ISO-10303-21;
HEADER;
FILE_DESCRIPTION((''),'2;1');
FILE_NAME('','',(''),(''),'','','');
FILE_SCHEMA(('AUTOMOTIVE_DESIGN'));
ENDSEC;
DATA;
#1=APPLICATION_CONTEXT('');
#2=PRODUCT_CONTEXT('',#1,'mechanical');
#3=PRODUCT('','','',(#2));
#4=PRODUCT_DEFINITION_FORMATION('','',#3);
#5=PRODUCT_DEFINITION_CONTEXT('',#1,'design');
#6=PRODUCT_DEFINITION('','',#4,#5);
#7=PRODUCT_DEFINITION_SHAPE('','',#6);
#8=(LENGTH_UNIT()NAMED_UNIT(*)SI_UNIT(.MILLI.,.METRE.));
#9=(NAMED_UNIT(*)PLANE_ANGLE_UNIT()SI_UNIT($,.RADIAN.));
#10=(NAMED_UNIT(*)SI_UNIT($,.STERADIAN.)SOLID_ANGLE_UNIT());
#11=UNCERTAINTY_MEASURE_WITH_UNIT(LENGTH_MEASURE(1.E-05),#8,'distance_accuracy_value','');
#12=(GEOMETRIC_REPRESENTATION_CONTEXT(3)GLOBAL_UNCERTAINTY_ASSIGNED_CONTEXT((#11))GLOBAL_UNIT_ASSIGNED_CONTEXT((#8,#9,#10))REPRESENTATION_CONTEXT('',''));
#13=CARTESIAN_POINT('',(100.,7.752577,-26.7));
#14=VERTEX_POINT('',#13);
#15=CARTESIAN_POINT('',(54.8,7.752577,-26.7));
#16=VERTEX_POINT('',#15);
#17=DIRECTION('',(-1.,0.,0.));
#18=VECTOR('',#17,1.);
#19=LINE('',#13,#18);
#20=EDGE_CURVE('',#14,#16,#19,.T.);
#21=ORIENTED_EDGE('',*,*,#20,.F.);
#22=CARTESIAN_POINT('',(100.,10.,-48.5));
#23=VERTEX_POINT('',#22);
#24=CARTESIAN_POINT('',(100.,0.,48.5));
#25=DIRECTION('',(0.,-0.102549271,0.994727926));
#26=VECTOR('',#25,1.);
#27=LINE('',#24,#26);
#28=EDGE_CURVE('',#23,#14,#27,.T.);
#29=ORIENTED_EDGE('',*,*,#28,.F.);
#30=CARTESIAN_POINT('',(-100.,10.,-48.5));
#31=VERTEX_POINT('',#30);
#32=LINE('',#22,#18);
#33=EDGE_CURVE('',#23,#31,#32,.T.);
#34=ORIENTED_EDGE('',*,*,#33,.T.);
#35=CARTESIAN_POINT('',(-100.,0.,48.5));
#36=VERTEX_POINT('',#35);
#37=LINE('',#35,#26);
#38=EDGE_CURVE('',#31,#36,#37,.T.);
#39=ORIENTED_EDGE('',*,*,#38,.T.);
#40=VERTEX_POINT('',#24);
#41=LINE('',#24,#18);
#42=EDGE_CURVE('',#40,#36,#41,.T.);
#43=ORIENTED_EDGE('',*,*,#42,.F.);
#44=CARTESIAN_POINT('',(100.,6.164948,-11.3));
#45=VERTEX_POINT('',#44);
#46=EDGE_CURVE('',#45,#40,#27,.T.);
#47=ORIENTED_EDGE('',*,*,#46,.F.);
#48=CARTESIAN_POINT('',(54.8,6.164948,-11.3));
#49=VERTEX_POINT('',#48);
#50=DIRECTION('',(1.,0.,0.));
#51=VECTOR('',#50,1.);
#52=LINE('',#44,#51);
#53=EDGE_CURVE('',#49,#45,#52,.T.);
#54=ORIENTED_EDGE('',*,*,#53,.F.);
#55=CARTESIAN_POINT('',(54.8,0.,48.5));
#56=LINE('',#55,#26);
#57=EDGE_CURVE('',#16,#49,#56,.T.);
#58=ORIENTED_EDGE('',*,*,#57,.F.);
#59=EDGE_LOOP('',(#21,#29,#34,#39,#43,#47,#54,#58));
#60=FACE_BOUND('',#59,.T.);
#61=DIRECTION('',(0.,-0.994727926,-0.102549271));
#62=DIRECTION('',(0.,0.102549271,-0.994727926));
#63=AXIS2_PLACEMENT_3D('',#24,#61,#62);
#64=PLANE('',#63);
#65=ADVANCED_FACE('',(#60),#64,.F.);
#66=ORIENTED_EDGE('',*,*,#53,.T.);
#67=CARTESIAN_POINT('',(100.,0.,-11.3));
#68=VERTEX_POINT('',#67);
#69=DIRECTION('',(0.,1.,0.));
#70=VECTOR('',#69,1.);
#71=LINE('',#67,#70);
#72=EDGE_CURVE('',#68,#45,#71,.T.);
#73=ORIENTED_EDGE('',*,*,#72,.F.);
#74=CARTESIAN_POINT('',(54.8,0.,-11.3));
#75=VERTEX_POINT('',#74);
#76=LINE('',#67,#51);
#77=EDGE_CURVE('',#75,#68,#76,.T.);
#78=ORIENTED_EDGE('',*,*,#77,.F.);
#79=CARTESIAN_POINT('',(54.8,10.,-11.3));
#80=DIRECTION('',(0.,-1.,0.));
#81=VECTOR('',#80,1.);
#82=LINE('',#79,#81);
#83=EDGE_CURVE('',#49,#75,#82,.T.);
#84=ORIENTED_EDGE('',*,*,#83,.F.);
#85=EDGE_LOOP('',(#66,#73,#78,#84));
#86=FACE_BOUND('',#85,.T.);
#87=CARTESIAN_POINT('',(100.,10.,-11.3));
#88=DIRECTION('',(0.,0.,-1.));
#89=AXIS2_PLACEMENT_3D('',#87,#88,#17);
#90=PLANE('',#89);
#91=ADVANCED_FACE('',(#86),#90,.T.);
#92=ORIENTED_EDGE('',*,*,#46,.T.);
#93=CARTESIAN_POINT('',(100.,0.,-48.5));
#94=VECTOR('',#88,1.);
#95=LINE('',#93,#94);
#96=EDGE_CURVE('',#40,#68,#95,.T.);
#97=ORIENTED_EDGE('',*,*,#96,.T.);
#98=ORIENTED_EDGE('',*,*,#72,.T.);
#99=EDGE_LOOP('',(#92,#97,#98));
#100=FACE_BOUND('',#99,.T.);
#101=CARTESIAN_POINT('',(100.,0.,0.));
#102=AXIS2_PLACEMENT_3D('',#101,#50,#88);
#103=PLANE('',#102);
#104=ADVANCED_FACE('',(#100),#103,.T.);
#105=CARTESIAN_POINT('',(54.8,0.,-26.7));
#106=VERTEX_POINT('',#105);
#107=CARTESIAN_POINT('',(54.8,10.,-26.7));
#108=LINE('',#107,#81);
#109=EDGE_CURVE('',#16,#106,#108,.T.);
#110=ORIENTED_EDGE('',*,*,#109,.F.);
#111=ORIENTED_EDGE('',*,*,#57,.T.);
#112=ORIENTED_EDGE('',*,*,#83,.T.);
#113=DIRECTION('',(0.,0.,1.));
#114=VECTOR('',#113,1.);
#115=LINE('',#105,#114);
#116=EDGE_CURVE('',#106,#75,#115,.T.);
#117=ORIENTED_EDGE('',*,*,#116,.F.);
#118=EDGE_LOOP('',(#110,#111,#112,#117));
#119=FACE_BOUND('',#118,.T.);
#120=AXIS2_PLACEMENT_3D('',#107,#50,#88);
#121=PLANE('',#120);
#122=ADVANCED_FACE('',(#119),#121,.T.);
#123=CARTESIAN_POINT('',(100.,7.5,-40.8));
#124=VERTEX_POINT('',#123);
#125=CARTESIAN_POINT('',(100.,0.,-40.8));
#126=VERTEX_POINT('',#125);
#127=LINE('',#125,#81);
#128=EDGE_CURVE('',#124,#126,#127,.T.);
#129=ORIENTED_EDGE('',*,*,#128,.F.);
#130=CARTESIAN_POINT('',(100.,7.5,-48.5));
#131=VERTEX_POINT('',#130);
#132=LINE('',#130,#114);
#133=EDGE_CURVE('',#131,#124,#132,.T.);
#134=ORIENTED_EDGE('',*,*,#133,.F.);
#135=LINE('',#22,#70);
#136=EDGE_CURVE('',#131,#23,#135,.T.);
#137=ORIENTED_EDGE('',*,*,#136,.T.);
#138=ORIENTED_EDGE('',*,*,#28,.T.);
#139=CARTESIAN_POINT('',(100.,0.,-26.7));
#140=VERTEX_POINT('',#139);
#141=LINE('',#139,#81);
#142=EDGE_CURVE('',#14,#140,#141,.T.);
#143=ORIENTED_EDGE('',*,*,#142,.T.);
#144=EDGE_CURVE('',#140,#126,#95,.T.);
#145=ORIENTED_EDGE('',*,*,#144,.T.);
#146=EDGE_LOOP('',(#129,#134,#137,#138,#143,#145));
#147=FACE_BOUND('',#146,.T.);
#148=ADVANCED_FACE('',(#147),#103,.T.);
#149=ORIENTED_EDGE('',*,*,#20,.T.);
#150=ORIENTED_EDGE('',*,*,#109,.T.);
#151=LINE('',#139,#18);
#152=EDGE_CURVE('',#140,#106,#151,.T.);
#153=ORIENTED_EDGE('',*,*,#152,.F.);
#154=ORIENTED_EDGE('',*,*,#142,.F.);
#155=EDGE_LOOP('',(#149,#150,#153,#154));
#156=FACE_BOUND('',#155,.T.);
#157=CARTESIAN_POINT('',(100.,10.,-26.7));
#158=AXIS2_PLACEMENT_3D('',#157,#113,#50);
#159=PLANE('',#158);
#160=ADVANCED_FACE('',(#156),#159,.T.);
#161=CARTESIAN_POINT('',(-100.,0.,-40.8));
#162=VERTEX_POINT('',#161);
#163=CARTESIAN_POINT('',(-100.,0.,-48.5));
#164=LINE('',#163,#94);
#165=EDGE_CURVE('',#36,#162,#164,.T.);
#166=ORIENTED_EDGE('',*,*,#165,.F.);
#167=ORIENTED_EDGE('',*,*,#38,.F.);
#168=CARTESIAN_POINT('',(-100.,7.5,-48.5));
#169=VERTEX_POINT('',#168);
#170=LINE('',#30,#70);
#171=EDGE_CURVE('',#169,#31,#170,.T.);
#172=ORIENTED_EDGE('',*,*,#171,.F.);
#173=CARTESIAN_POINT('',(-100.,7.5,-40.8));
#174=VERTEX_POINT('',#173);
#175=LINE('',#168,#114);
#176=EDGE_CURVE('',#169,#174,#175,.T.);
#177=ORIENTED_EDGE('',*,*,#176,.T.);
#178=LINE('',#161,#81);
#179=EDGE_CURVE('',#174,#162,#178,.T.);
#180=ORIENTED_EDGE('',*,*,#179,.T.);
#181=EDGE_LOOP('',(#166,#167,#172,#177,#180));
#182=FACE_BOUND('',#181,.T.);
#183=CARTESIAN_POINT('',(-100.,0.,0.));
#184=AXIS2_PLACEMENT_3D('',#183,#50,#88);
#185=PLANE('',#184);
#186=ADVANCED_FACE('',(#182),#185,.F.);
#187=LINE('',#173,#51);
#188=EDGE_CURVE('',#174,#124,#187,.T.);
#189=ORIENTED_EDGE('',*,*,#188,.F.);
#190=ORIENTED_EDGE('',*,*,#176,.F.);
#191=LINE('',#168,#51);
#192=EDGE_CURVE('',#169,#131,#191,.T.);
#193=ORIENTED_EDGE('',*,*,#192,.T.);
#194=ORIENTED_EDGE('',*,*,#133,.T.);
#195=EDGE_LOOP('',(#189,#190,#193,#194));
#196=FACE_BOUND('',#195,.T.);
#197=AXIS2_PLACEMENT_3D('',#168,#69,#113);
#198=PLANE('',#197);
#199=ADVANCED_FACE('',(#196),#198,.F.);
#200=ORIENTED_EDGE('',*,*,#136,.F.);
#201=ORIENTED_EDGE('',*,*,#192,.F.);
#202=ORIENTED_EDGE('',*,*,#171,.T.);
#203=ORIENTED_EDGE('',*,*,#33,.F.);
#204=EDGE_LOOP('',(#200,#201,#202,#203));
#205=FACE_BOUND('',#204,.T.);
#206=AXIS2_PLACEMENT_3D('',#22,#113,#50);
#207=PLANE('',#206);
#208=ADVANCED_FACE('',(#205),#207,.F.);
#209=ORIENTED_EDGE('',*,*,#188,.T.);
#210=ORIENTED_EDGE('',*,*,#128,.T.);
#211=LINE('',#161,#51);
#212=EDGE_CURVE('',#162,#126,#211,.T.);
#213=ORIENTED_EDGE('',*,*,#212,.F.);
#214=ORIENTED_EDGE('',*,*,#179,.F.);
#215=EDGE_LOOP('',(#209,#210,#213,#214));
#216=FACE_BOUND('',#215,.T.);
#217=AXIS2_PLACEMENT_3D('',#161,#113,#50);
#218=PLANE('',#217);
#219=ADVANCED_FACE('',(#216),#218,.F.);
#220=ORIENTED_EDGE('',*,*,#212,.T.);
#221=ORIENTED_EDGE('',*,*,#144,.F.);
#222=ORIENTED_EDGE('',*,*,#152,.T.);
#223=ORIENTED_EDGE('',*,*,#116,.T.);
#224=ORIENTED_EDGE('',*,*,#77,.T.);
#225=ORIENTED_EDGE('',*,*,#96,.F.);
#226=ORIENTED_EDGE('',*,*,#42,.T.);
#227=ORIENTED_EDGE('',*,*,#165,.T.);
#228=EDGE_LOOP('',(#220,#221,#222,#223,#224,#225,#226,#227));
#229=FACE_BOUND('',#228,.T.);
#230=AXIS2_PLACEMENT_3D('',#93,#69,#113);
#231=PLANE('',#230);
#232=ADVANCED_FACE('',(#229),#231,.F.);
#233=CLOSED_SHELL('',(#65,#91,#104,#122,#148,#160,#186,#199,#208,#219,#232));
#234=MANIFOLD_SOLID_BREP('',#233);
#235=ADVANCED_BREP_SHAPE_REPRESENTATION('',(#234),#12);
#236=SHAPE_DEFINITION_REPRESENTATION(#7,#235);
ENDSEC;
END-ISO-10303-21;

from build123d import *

# Parameters (mm, degrees)
BOSS_EXTRUDE1_DEPTH = 100
SKETCH3_W           = 7.7
SKETCH3_H           = 7.5
CUT_EXTRUDE1_DEPTH  = 207.039437972
SKETCH6_W           = 45.2
SKETCH6_H           = 15.4
CUT_EXTRUDE2_DEPTH  = 112.589650058


with BuildPart() as part:
    # Sketch1 → Boss-Extrude1 (new, symmetric)
    with BuildSketch(Plane(origin=(0, 0, 0), x_dir=(0, 0, -1), z_dir=(1, 0, 0))):
        Polygon((-48.5, 0), (48.5, 10), (48.5, 0), align=None)
    extrude(amount=BOSS_EXTRUDE1_DEPTH, both=True)

    # Sketch3 → Cut-Extrude1 (cut, through all)
    with BuildSketch(Plane(origin=(100, 0, 0), x_dir=(0, 0, -1), z_dir=(1, 0, 0))):
        with Locations((44.65, 3.75)):
            Rectangle(SKETCH3_W, SKETCH3_H)
    extrude(amount=-CUT_EXTRUDE1_DEPTH, mode=Mode.SUBTRACT)

    # Sketch6 → Cut-Extrude2 (cut, through all)
    with BuildSketch(Plane(origin=(0, 0, 0), x_dir=(1, 0, 0), z_dir=(0, 1, 0))):
        with Locations((77.4, 19)):
            Rectangle(SKETCH6_W, SKETCH6_H)
    extrude(amount=CUT_EXTRUDE2_DEPTH, mode=Mode.SUBTRACT)


solid = part.part
